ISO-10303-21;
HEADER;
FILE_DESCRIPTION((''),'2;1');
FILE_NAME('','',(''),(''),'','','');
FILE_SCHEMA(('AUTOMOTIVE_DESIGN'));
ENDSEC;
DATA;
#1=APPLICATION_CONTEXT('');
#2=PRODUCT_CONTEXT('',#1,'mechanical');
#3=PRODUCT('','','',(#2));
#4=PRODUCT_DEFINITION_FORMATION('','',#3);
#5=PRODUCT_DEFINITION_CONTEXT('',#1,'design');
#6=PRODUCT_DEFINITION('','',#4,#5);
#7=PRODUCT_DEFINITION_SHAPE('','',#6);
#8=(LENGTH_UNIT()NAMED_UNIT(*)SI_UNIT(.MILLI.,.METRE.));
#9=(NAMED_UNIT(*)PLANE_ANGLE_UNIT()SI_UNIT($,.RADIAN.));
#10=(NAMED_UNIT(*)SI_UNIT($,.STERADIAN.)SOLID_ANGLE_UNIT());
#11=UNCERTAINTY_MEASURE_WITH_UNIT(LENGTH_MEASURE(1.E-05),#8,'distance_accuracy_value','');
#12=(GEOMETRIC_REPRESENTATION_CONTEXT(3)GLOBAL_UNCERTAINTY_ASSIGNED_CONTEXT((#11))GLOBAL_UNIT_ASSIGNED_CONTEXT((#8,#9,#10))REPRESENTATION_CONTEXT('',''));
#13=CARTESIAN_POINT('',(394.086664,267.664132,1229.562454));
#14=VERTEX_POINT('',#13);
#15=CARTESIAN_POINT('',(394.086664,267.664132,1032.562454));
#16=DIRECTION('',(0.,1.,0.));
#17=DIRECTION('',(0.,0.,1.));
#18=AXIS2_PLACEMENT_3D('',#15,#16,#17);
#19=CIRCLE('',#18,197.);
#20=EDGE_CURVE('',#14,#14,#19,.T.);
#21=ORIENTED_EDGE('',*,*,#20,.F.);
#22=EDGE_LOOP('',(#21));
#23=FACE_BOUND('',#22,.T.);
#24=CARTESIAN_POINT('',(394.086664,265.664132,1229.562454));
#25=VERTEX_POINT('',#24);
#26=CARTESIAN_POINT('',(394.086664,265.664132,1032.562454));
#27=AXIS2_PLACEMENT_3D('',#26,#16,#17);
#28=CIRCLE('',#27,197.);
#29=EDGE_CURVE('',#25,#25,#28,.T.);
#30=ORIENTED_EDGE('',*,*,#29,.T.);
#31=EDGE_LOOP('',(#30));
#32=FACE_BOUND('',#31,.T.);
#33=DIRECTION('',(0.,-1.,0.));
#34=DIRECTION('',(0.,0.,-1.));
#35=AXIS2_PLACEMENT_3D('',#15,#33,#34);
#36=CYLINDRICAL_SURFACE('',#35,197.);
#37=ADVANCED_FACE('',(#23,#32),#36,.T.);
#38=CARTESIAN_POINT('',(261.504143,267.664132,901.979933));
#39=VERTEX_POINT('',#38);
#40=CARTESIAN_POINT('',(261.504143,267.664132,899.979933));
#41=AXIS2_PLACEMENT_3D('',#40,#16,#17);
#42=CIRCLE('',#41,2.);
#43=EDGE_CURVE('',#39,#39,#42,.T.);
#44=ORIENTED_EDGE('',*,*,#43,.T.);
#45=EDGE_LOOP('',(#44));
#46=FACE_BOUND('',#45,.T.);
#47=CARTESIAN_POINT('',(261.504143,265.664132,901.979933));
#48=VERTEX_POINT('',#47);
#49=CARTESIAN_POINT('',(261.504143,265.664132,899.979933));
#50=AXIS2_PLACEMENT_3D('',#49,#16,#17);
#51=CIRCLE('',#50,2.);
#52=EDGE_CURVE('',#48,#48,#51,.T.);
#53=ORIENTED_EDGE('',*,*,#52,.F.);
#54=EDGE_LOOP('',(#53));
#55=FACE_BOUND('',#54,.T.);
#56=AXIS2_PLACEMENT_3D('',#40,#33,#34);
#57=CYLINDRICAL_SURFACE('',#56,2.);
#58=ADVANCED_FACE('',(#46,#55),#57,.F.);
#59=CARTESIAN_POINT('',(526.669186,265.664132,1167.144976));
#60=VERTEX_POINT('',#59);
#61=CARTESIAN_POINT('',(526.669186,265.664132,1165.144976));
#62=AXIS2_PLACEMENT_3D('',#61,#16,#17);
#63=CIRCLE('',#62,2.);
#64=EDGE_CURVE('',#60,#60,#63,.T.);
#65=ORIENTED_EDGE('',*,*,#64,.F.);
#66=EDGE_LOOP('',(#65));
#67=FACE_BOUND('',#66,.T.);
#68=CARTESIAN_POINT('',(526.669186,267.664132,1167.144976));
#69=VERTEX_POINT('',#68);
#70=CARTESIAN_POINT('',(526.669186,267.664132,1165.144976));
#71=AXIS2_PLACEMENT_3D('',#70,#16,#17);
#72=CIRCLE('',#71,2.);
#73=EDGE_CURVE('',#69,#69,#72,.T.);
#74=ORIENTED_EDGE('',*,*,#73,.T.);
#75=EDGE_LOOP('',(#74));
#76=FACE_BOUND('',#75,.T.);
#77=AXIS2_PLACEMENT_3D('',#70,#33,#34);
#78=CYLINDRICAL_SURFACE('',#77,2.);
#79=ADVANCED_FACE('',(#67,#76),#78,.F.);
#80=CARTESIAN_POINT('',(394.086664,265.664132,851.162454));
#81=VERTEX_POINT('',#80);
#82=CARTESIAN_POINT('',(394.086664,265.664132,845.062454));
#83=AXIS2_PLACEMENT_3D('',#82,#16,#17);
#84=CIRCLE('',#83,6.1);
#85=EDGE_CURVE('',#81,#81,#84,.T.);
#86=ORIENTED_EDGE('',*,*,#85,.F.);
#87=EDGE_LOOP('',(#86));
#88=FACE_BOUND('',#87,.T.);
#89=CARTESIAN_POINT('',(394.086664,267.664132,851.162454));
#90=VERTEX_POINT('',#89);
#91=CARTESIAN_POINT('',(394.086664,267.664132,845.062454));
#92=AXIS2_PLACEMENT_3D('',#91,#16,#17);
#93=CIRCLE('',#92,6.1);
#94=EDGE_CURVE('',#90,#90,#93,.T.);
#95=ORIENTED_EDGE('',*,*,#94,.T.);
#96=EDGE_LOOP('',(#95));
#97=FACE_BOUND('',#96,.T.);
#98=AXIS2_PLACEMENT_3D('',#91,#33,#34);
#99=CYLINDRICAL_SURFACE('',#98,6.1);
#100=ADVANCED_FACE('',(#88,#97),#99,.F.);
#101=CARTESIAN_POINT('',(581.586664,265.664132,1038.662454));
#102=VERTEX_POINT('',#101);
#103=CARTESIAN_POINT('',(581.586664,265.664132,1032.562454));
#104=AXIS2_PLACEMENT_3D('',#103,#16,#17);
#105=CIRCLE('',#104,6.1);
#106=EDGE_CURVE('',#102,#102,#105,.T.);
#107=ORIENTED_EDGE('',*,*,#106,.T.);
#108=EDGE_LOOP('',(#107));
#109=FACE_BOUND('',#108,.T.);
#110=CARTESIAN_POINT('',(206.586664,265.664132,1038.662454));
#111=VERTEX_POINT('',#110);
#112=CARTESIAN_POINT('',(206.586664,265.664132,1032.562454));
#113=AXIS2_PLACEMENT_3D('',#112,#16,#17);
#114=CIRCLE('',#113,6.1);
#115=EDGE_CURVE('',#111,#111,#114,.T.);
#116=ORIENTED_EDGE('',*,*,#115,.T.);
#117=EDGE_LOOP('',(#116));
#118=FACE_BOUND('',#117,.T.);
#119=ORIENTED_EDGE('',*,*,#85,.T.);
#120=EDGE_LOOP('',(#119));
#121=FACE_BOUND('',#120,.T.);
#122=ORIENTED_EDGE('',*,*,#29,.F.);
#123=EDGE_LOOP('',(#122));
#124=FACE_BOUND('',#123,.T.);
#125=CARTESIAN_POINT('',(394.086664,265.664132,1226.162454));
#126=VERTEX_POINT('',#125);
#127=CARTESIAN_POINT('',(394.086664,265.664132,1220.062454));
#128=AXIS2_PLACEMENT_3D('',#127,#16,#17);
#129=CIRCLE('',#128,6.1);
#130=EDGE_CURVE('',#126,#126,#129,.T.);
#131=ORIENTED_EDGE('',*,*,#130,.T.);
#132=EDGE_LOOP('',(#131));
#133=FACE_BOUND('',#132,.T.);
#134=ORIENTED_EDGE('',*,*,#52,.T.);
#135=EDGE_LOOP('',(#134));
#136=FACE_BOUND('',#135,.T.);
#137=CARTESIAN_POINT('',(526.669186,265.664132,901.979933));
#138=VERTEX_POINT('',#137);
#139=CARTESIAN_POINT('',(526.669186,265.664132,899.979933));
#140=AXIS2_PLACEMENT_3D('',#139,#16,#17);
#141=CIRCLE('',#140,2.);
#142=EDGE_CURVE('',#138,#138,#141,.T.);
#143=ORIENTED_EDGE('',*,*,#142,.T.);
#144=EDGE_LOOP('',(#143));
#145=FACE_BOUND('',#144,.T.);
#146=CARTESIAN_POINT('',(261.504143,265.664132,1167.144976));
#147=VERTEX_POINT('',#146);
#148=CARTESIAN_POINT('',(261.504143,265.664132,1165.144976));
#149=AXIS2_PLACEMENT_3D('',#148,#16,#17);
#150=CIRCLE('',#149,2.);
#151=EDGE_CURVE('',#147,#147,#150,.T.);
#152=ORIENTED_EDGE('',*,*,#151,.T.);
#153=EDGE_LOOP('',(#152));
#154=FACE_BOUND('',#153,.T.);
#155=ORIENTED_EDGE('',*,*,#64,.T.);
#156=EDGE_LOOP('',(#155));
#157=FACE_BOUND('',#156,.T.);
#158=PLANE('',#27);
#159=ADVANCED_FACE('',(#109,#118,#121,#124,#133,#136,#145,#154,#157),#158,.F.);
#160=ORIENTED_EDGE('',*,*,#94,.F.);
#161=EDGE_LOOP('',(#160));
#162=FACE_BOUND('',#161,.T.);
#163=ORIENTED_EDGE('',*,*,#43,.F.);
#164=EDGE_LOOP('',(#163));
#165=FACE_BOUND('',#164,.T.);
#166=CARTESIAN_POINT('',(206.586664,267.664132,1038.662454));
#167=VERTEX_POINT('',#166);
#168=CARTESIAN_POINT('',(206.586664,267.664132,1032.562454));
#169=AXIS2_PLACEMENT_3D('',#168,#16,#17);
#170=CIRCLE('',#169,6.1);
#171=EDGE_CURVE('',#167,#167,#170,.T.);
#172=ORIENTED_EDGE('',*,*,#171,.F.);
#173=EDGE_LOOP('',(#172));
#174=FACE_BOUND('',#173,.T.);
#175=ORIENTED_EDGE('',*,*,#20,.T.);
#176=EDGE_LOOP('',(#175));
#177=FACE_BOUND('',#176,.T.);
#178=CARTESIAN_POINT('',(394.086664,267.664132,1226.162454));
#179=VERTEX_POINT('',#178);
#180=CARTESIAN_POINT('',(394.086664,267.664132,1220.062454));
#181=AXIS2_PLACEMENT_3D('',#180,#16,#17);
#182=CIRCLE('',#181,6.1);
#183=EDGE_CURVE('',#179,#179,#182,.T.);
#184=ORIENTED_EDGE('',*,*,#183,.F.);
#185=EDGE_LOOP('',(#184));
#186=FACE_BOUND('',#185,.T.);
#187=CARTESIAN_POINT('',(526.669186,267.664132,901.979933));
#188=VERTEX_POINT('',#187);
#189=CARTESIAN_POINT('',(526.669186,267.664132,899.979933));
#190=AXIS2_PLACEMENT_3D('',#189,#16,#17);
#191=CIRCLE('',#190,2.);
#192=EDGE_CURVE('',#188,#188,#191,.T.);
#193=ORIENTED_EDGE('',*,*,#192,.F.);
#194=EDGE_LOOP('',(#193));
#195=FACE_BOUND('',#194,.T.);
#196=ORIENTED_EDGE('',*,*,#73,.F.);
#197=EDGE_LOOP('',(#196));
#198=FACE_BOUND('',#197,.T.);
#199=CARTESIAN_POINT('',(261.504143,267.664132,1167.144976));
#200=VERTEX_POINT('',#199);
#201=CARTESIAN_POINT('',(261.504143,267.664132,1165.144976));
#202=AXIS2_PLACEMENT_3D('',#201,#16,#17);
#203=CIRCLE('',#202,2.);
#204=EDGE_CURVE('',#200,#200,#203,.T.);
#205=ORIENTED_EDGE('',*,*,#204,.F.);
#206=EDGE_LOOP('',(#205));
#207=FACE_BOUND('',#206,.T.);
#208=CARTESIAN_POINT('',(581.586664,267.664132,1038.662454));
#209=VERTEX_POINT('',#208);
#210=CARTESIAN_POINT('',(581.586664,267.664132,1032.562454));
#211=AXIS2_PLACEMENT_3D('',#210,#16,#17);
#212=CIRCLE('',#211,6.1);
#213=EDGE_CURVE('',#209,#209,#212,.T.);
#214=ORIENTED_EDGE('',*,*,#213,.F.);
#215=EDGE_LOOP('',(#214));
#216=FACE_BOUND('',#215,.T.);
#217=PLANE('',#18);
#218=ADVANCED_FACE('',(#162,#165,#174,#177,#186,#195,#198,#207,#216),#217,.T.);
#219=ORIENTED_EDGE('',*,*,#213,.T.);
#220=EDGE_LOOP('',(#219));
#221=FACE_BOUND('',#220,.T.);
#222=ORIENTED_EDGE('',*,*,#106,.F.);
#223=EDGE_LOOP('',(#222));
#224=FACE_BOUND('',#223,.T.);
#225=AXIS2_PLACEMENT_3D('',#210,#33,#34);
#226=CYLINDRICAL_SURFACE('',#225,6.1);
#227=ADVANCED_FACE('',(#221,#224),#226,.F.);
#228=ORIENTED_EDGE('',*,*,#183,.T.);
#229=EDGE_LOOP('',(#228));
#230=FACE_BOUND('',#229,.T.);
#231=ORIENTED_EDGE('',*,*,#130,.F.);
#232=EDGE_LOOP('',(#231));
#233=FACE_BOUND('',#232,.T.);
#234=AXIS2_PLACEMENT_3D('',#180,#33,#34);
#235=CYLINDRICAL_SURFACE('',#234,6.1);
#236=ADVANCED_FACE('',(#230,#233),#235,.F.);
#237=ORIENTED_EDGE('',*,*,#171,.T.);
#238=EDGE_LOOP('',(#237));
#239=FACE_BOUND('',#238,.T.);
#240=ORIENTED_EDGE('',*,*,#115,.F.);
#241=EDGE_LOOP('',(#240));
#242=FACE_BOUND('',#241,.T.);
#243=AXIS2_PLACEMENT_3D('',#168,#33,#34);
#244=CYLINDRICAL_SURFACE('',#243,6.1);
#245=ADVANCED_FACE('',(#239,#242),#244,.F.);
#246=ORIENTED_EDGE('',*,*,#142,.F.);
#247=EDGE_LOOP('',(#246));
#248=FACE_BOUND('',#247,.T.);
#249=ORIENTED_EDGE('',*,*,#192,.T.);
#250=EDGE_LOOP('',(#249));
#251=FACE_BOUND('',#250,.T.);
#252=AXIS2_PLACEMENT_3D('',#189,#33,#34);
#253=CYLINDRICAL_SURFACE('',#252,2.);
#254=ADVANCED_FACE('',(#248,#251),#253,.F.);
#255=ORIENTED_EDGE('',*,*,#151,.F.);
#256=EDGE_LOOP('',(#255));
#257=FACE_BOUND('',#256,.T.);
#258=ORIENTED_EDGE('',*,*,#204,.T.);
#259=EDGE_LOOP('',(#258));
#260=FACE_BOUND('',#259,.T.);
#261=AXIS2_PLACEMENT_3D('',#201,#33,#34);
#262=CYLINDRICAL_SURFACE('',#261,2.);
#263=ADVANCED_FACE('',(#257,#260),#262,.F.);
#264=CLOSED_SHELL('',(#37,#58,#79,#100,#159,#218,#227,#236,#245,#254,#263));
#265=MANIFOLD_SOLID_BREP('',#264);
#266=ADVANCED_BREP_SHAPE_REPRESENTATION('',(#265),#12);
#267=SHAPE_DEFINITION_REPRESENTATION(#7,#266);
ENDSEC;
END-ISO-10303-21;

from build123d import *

# Parameters (mm, degrees)
SKETCH1_R           = 197
SKETCH1_R_2         = 6.1
SKETCH1_R_3         = 2
BOSS_EXTRUDE1_DEPTH = 2


with BuildPart() as part:
    # Sketch1 → Boss-Extrude1 (new body)
    with BuildSketch(Plane(origin=(0, 265.664131829, 0), x_dir=(1, 0, 0), z_dir=(0, 1, 0))):
        with Locations(Location((394.086664394, -1032.562454189, 0), (0, 0, 270))):
            Circle(SKETCH1_R)
        with Locations(Location((394.086664394, -845.062454189, 0), (0, 0, 270))):
            Circle(SKETCH1_R_2, mode=Mode.SUBTRACT)
        with Locations(Location((394.086664394, -1220.062454189, 0), (0, 0, 270))):
            Circle(SKETCH1_R_2, mode=Mode.SUBTRACT)
        with Locations(Location((581.586664394, -1032.562454189, 0), (0, 0, 270))):
            Circle(SKETCH1_R_2, mode=Mode.SUBTRACT)
        with Locations(Location((261.504142922, -899.979932716, 0), (0, 0, 270))):
            Circle(SKETCH1_R_3, mode=Mode.SUBTRACT)
        with Locations(Location((526.669185867, -899.979932716, 0), (0, 0, 270))):
            Circle(SKETCH1_R_3, mode=Mode.SUBTRACT)
        with Locations(Location((526.669185867, -1165.144975661, 0), (0, 0, 270))):
            Circle(SKETCH1_R_3, mode=Mode.SUBTRACT)
        with Locations(Location((261.504142922, -1165.144975661, 0), (0, 0, 270))):
            Circle(SKETCH1_R_3, mode=Mode.SUBTRACT)
        with Locations(Location((206.586664394, -1032.562454189, 0), (0, 0, 270))):
            Circle(SKETCH1_R_2, mode=Mode.SUBTRACT)
    extrude(amount=BOSS_EXTRUDE1_DEPTH)


solid = part.part
